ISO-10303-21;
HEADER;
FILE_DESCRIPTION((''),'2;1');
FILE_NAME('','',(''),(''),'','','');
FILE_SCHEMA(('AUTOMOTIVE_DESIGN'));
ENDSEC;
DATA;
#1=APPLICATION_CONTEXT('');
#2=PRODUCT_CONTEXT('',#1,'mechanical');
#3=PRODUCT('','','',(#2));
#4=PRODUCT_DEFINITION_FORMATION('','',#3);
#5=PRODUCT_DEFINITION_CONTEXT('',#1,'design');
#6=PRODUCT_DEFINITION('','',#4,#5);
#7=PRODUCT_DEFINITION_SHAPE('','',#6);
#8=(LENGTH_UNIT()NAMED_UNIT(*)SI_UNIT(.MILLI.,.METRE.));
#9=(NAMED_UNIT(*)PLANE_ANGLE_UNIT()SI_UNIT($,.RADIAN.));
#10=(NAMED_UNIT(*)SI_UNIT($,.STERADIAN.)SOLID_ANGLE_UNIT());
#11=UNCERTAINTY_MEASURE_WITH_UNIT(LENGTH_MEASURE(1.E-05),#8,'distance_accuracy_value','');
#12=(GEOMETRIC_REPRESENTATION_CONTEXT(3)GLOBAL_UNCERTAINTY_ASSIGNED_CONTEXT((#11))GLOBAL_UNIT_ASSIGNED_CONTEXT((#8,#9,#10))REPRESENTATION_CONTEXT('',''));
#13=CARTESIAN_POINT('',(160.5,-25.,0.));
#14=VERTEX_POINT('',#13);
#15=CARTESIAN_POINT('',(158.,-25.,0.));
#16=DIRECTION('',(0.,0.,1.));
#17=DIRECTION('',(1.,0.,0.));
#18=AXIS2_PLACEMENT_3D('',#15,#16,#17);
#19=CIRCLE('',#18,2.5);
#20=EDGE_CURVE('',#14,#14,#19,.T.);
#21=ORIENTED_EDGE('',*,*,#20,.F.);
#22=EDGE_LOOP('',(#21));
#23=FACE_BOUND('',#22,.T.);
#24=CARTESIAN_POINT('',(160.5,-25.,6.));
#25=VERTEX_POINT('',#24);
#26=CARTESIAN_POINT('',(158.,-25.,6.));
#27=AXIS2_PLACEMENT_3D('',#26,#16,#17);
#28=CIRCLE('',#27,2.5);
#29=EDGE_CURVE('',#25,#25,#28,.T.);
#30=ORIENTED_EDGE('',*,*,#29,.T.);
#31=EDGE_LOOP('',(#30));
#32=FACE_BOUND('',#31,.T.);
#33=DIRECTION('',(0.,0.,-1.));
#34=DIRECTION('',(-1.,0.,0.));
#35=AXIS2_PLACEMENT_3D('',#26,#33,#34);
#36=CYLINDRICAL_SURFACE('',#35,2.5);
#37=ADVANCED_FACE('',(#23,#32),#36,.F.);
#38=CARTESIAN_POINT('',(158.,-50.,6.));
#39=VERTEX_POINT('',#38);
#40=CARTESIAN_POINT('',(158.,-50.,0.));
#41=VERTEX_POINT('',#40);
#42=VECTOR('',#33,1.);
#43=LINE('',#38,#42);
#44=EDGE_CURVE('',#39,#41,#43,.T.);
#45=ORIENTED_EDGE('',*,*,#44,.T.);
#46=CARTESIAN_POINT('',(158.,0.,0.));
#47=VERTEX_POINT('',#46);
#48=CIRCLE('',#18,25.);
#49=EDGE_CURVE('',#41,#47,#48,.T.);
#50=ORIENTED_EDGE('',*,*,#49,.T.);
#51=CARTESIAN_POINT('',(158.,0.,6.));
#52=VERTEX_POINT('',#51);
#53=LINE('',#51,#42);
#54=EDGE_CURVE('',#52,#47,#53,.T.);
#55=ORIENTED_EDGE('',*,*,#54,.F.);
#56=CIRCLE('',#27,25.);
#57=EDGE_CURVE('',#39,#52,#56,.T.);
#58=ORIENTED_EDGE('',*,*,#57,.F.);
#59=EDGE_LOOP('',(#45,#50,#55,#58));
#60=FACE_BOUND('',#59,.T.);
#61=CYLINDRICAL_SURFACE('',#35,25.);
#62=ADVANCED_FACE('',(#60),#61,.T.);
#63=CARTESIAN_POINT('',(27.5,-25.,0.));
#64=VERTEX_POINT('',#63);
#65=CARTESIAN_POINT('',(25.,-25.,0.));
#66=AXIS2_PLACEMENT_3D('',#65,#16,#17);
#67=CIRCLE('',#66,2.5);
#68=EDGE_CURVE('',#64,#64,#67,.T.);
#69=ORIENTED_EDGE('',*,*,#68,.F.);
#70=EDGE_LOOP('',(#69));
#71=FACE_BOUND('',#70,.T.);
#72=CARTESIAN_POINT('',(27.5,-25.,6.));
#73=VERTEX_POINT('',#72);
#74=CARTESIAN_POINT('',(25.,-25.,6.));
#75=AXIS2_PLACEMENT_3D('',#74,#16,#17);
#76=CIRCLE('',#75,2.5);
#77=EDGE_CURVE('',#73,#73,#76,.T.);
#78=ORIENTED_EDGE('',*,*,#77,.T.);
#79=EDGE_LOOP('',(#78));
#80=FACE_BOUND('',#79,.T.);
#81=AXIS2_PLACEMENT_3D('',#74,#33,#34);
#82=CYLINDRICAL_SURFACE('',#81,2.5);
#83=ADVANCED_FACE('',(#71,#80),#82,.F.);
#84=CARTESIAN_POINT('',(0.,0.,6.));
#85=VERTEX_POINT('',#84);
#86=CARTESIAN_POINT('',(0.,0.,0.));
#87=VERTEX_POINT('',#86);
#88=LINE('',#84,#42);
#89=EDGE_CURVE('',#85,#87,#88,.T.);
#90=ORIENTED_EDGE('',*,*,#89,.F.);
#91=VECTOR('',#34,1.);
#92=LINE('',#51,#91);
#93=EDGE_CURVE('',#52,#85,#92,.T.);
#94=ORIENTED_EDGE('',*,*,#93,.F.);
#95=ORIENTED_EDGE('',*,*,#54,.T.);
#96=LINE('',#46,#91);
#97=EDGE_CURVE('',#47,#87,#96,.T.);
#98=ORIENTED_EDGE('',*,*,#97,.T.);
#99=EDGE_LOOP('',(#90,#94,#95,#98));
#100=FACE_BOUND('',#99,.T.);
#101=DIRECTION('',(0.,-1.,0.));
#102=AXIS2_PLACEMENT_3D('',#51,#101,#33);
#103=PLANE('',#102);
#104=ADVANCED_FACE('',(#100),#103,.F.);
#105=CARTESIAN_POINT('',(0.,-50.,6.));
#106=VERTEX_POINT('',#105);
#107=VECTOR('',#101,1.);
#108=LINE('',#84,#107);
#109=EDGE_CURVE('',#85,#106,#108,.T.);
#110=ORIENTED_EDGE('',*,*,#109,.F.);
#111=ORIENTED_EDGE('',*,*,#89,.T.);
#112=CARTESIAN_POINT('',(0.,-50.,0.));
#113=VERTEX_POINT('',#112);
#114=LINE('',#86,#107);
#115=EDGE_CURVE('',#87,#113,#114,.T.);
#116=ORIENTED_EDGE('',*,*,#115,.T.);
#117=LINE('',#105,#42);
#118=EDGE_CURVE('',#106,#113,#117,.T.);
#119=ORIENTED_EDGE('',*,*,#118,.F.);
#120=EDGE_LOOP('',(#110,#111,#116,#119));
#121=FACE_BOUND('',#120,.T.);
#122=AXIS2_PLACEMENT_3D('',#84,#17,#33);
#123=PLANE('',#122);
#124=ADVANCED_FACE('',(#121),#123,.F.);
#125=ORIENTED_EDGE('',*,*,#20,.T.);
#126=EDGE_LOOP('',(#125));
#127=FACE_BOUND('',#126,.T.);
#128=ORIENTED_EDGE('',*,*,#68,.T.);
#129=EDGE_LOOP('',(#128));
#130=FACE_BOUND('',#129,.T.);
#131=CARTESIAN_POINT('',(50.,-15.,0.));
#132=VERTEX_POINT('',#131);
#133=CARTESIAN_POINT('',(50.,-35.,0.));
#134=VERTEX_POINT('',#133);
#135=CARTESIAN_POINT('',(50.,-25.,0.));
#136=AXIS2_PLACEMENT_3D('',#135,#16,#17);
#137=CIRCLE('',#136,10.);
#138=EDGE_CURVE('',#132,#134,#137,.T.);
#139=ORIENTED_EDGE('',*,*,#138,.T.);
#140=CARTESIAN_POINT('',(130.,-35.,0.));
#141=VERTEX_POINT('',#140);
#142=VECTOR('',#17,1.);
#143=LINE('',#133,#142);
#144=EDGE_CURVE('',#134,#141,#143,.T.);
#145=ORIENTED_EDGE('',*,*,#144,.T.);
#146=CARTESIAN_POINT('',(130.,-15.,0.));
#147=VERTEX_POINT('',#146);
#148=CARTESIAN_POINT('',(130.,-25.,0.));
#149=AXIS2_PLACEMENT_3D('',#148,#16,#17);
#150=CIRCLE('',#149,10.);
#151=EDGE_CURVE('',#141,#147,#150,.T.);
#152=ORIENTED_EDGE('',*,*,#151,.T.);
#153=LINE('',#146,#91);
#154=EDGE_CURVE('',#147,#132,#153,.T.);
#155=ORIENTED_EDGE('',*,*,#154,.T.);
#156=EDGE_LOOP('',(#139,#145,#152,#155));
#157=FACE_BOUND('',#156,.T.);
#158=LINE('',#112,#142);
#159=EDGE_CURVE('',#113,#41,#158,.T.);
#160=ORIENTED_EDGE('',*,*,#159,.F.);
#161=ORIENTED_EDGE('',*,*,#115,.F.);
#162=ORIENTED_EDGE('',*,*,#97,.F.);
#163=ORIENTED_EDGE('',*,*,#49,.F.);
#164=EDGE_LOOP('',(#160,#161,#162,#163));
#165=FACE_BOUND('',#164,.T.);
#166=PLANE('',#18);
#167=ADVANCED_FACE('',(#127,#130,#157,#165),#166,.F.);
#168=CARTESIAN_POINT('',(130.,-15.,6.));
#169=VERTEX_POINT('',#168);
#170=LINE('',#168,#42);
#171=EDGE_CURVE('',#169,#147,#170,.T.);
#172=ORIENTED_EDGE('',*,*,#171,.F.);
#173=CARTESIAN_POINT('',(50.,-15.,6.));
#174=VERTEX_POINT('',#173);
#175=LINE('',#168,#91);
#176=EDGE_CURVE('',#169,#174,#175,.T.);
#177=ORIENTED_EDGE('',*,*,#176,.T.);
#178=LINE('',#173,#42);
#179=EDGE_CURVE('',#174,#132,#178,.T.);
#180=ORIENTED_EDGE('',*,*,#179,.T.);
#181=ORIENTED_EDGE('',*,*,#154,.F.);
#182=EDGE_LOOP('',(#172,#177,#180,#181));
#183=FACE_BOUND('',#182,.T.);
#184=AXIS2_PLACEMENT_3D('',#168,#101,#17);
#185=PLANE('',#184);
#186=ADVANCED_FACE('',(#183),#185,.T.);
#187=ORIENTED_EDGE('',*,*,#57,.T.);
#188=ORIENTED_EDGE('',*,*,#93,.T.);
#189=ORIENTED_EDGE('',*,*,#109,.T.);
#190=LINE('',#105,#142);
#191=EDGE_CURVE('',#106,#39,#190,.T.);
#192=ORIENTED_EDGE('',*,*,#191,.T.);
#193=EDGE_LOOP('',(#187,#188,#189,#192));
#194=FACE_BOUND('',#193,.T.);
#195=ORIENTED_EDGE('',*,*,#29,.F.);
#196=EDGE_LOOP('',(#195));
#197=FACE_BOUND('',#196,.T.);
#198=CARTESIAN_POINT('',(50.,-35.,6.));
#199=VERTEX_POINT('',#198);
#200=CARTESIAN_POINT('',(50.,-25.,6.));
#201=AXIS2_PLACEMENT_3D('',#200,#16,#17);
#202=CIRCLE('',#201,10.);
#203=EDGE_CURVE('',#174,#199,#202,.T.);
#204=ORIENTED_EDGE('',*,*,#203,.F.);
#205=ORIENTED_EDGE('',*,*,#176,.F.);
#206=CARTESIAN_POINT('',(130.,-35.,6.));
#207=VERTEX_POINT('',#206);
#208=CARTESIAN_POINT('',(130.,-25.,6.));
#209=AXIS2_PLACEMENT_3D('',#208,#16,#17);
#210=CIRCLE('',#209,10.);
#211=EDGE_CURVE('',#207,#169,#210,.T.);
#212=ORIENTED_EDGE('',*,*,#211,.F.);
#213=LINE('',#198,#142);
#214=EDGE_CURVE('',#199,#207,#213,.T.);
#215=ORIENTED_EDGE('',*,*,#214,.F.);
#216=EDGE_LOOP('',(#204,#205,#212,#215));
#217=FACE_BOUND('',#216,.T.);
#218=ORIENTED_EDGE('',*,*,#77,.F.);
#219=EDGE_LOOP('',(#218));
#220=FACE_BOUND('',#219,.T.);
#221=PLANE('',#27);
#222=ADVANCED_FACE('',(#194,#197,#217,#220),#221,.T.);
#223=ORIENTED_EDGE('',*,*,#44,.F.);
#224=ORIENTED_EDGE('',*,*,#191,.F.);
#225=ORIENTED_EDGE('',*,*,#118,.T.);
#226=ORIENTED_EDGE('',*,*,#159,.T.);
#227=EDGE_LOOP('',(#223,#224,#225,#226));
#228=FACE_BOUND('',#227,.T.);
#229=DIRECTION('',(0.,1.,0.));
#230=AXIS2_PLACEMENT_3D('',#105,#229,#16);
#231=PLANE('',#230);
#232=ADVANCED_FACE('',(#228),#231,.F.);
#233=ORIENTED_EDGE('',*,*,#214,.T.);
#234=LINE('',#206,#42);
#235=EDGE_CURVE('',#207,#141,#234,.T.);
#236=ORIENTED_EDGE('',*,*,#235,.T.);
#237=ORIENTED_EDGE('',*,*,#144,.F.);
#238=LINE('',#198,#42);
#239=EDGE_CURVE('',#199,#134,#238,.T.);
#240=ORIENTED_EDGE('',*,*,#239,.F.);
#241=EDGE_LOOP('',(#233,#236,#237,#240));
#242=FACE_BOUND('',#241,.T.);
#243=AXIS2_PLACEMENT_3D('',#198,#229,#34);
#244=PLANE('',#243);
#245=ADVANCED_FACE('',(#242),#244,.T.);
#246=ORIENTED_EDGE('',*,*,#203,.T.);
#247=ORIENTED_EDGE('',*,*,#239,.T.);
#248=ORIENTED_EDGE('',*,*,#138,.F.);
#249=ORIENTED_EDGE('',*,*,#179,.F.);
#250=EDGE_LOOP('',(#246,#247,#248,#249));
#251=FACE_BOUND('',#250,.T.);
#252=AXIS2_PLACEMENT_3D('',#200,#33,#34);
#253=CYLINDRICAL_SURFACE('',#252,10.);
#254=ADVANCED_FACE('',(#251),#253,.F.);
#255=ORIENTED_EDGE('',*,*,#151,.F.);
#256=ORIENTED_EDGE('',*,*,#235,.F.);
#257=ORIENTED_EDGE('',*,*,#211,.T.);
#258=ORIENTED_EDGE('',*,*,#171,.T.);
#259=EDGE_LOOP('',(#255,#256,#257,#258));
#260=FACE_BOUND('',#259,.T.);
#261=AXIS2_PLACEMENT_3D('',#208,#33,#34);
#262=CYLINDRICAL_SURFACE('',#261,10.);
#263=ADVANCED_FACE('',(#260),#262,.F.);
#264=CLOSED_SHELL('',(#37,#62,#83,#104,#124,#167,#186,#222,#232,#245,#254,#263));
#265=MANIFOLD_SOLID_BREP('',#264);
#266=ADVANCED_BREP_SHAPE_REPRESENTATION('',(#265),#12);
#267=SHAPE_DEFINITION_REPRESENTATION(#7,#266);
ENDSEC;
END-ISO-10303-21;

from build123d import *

# Parameters (mm, degrees)
SKETCH1_R           = 2.5
BOSS_EXTRUDE1_DEPTH = 6


with BuildPart() as part:
    # Sketch1 → Boss-Extrude1 (new body)
    with BuildSketch(Plane.XY):
        with BuildLine():
            Line((0, -50), (158, -50))
            ThreePointArc((158, -50), (183, -25), (158, 0))
            Line((158, 0), (0, 0))
            Line((0, 0), (0, -50))
        make_face()
        with Locations((25, -25)):
            Circle(SKETCH1_R, mode=Mode.SUBTRACT)
        with Locations((158, -25)):
            Circle(SKETCH1_R, mode=Mode.SUBTRACT)
        with BuildLine():
            Line((50, -35), (130, -35))
            ThreePointArc((130, -35), (140, -25), (130, -15))
            Line((130, -15), (50, -15))
            ThreePointArc((50, -15), (40, -25), (50, -35))
        make_face(mode=Mode.SUBTRACT)
    extrude(amount=BOSS_EXTRUDE1_DEPTH)


solid = part.part
